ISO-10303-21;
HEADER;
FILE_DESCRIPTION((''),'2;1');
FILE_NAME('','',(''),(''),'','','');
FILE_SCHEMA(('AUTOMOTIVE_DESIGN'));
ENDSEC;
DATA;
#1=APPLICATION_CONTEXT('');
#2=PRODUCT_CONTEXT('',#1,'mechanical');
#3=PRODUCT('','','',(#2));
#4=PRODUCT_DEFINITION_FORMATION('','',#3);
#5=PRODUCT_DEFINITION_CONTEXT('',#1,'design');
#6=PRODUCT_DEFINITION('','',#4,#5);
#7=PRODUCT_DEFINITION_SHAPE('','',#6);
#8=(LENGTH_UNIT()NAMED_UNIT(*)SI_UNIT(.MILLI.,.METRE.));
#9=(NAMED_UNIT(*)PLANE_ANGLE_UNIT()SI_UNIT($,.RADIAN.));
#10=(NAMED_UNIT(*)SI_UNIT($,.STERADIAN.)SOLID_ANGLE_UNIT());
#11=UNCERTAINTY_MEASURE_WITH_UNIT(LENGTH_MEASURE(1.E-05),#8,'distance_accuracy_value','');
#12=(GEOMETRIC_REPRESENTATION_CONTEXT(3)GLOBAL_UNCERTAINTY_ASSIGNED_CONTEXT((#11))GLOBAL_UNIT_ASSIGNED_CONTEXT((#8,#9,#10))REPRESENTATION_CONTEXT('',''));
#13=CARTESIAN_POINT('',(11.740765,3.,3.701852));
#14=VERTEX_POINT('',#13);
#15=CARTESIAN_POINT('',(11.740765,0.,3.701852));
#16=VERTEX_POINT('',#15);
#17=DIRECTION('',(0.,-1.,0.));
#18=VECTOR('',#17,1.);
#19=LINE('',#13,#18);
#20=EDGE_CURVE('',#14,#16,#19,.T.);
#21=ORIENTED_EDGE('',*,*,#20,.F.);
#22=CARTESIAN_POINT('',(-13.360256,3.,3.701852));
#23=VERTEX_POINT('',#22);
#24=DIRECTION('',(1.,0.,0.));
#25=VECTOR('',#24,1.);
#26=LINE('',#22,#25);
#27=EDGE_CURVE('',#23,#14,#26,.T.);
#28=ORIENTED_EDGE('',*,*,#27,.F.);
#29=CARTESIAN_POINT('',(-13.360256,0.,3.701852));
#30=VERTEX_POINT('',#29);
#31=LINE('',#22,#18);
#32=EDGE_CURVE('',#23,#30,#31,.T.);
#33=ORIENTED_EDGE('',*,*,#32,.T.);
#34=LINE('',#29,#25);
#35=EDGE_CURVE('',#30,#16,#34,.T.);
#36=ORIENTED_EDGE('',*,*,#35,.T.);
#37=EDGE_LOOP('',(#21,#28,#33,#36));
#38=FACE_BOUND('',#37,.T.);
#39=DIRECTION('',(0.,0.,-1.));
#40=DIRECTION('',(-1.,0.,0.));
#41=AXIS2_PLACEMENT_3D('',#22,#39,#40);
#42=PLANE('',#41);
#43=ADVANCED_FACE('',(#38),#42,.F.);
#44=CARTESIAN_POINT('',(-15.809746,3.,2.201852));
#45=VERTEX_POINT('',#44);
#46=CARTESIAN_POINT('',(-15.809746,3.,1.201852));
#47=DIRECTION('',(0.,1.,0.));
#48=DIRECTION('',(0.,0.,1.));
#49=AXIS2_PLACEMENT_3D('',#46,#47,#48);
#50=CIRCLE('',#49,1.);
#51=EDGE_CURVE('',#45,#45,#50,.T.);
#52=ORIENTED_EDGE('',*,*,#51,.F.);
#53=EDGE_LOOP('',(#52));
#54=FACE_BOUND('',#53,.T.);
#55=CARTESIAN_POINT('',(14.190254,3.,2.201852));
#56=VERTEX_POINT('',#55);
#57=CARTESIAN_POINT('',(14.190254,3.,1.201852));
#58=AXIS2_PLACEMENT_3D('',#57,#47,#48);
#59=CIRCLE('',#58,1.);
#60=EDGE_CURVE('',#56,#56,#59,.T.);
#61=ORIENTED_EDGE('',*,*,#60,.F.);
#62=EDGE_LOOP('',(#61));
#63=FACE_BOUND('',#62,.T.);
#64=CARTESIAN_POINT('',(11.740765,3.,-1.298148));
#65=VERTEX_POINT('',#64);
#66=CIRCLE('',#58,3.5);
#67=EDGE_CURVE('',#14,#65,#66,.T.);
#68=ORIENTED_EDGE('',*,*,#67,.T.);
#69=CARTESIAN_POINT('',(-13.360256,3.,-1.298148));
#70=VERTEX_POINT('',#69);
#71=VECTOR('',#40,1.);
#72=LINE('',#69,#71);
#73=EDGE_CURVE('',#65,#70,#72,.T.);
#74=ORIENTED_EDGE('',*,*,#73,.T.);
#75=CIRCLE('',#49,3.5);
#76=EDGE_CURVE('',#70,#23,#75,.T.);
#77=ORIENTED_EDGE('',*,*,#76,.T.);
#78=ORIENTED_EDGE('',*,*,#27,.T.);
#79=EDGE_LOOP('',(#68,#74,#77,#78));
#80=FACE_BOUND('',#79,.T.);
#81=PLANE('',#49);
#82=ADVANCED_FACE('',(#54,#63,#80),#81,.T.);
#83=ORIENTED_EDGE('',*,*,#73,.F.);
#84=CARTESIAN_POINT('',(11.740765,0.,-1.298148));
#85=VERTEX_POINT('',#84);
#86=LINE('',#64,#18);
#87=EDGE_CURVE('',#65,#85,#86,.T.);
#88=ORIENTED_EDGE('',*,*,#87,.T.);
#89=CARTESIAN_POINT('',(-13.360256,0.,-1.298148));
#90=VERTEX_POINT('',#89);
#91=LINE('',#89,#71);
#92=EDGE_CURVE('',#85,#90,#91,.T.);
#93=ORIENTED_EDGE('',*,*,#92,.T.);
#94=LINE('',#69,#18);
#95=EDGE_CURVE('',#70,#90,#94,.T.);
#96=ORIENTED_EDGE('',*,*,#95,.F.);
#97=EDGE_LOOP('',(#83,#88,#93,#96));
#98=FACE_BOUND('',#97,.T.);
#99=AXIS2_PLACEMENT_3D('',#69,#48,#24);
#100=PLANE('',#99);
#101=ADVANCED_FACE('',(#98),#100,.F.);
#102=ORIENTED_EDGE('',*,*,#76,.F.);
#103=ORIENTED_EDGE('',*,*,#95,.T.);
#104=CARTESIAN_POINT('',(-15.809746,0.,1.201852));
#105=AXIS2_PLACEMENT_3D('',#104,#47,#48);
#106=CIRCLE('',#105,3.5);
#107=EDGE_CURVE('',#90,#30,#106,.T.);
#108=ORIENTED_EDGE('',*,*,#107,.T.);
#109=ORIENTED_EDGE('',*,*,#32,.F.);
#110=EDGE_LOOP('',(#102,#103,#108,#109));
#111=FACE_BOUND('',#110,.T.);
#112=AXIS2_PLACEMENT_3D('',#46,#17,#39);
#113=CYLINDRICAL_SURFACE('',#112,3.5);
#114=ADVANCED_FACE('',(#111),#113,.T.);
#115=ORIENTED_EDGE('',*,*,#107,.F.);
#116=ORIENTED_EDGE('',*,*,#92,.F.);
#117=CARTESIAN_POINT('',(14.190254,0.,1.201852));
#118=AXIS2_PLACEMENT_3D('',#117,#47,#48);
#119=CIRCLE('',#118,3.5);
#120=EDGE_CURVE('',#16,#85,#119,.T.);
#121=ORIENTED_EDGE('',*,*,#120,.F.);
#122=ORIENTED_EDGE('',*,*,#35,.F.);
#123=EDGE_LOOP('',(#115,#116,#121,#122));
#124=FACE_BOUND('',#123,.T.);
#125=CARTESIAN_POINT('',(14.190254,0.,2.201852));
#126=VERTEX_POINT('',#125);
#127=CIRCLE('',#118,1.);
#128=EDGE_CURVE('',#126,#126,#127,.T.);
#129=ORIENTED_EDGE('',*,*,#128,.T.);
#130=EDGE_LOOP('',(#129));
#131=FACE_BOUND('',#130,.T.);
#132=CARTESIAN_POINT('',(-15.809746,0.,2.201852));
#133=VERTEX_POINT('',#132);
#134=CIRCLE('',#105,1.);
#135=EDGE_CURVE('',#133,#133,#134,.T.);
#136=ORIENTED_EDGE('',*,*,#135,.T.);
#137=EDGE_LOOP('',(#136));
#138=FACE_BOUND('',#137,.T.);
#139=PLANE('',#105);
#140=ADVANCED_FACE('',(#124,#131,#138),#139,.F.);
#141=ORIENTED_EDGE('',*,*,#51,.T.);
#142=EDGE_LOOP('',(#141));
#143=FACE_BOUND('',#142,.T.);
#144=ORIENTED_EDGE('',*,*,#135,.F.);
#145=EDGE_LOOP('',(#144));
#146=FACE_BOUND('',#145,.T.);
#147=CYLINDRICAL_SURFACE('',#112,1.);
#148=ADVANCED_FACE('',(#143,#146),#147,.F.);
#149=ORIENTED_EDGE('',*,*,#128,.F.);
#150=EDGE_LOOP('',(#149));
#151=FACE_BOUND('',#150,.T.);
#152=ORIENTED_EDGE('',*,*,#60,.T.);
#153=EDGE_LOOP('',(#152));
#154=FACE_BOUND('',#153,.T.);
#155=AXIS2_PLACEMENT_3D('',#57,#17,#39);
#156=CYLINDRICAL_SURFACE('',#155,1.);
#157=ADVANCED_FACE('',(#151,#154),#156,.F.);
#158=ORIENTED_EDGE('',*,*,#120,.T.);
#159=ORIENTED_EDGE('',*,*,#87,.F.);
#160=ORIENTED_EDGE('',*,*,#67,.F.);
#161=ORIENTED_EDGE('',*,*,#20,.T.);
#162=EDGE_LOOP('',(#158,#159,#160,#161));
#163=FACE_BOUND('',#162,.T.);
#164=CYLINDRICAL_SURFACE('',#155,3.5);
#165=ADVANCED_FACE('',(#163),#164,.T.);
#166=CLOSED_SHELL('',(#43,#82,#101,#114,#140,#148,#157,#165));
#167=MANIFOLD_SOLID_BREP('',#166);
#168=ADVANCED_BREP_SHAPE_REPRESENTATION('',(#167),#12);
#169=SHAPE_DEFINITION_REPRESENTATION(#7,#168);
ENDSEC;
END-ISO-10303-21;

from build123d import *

# Parameters (mm, degrees)
CROQUIS2_R              = 1
SALIENTE_EXTRUIR1_DEPTH = 3


with BuildPart() as part:
    # Croquis2 → Saliente-Extruir1 (new body)
    with BuildSketch(Plane(origin=(0, 0, 0), x_dir=(1, 0, 0), z_dir=(0, 1, 0))):
        with BuildLine():
            Line((-13.360255821, 1.298148445), (11.740764693, 1.298148445))
            ThreePointArc((11.740764693, 1.298148445), (17.690254436, -1.201851555), (11.740764693, -3.701851555))
            Line((11.740764693, -3.701851555), (-13.360255821, -3.701851555))
            ThreePointArc((-13.360255821, -3.701851555), (-19.309745564, -1.201851555), (-13.360255821, 1.298148445))
        make_face()
        with Locations((-15.809745564, -1.201851555)):
            Circle(CROQUIS2_R, mode=Mode.SUBTRACT)
        with Locations((14.190254436, -1.201851555)):
            Circle(CROQUIS2_R, mode=Mode.SUBTRACT)
    extrude(amount=SALIENTE_EXTRUIR1_DEPTH)


solid = part.part
